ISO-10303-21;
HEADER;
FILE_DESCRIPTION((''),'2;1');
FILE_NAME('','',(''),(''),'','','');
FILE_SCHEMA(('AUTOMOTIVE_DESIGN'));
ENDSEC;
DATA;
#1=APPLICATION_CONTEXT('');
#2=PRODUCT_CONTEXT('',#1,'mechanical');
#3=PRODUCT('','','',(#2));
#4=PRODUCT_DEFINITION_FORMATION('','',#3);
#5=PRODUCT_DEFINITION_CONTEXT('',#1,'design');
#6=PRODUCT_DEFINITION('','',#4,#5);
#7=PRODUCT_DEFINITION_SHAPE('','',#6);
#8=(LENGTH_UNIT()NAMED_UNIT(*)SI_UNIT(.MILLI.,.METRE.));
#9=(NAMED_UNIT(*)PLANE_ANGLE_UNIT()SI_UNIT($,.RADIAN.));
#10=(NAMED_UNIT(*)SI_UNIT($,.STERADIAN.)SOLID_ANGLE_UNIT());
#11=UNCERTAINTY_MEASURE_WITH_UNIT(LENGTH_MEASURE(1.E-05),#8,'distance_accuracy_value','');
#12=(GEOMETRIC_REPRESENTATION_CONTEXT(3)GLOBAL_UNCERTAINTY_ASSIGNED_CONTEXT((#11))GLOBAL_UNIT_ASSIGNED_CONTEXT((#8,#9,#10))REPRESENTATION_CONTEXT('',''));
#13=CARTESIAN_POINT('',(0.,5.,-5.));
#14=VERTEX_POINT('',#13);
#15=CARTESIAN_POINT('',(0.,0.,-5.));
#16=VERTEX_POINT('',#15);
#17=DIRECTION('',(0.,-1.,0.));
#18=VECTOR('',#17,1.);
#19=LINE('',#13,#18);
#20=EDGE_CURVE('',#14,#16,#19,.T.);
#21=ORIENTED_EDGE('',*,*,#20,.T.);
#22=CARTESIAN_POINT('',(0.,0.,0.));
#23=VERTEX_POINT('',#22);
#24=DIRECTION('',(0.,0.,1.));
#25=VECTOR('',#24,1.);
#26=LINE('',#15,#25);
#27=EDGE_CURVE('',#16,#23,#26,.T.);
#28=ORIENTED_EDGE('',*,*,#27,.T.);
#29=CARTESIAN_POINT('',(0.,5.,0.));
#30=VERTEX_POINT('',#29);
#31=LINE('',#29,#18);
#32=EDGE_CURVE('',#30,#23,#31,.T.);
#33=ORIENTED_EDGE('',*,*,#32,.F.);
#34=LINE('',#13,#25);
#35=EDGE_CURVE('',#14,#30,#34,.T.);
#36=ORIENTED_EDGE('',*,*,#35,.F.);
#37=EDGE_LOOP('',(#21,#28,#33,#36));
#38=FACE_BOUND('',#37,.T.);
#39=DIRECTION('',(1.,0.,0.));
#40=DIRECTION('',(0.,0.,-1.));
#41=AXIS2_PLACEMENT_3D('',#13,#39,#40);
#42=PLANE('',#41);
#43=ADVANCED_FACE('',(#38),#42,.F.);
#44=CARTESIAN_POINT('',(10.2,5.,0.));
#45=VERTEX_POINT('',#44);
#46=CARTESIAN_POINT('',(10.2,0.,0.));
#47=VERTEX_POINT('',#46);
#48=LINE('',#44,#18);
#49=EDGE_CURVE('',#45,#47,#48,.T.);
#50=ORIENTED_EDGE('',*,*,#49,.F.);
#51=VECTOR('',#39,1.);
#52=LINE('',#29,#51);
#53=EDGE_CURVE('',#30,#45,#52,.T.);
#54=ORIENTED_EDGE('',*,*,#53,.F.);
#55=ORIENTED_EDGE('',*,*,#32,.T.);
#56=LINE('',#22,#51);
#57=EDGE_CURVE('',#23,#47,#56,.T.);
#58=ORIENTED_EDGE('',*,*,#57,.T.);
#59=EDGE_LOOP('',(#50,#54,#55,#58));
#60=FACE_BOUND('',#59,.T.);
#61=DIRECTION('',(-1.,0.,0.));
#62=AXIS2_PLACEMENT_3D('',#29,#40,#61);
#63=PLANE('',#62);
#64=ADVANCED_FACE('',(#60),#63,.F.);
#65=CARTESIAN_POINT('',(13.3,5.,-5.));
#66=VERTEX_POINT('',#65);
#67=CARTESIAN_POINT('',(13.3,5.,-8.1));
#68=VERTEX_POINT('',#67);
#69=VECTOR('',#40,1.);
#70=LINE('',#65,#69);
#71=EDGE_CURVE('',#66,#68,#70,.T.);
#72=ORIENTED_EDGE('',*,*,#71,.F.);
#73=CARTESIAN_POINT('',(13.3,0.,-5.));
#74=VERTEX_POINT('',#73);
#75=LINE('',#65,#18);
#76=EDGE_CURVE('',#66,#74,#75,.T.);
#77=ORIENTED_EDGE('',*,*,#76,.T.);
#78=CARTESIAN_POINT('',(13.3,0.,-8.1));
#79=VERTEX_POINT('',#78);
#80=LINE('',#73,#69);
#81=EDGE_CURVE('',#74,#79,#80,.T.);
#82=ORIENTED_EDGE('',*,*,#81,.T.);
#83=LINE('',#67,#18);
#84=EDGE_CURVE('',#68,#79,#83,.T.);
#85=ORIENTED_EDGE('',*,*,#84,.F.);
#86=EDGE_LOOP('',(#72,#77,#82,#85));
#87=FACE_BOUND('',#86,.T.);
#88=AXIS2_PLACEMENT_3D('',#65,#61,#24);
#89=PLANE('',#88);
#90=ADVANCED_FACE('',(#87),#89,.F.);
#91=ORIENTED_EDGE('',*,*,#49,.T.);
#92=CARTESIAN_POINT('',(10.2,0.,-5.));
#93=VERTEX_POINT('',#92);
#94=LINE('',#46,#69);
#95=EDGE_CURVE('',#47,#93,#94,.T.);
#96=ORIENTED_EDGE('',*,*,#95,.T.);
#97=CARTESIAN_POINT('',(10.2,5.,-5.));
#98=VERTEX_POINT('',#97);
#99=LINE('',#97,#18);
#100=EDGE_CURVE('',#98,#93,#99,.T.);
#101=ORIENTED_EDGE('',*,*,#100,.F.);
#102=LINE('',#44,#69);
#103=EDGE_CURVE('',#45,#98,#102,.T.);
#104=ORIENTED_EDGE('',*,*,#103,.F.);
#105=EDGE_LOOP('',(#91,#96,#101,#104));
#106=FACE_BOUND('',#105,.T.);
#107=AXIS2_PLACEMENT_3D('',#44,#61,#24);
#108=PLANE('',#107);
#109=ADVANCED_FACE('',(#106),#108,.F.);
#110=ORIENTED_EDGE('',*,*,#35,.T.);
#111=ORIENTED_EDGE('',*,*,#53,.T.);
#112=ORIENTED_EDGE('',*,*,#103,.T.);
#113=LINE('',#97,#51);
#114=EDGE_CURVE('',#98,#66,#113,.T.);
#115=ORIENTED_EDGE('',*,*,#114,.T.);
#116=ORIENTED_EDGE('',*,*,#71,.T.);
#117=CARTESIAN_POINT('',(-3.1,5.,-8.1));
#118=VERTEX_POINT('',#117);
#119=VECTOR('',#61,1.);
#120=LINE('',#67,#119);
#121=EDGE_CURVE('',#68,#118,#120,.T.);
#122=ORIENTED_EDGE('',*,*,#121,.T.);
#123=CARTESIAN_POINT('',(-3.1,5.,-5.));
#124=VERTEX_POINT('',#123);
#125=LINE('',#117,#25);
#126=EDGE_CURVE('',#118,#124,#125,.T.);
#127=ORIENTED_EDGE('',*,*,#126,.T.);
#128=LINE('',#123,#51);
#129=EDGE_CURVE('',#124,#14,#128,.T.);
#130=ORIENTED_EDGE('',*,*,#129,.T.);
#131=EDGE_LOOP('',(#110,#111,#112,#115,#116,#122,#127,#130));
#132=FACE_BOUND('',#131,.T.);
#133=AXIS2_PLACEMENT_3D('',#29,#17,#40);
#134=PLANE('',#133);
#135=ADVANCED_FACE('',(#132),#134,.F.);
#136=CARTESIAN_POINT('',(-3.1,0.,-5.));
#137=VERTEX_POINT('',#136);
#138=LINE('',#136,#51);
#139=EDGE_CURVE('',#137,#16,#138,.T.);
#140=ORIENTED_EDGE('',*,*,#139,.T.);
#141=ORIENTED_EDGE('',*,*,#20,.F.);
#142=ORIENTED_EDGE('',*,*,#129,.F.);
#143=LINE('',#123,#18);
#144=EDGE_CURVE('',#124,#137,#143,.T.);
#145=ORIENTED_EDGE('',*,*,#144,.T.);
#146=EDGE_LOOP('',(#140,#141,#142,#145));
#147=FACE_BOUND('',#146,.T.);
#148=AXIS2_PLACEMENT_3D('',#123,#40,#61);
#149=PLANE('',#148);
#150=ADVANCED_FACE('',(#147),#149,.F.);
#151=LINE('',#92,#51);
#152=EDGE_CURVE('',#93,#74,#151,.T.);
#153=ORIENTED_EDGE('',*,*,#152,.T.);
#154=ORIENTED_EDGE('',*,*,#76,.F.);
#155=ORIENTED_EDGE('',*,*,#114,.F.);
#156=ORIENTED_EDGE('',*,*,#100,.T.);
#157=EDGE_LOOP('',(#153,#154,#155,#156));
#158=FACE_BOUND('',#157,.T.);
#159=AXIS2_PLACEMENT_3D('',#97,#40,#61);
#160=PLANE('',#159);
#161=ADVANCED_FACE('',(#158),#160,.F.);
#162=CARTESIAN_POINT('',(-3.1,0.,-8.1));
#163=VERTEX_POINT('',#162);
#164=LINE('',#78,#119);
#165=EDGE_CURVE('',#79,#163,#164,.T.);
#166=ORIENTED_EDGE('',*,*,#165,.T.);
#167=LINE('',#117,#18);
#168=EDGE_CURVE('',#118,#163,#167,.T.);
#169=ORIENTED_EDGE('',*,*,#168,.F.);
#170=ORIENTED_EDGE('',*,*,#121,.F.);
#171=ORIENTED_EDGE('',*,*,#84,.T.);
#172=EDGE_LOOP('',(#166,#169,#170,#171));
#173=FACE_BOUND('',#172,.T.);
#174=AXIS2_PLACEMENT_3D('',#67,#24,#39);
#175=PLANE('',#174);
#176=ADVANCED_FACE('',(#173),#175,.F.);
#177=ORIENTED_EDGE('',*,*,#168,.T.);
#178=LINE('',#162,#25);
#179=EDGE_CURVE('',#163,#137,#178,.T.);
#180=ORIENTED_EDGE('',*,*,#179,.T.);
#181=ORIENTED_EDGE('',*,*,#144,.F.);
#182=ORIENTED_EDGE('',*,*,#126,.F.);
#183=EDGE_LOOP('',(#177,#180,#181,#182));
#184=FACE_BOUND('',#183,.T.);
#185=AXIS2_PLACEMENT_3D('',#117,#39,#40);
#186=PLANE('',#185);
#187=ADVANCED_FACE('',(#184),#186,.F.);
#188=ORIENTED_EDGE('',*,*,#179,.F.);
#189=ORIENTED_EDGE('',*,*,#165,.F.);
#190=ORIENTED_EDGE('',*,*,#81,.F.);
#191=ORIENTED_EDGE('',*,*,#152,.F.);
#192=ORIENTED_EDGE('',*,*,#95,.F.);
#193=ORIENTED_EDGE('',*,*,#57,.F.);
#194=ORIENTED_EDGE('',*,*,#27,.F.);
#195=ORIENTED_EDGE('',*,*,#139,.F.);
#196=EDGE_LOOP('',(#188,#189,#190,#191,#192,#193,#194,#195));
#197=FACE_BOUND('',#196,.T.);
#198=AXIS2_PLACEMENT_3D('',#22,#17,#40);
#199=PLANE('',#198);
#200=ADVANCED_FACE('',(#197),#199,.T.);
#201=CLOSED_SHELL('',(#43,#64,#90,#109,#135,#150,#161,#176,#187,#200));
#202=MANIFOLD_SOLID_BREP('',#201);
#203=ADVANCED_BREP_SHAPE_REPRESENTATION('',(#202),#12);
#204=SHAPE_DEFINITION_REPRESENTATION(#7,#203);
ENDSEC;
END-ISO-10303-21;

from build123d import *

# Parameters (mm, degrees)
EXTRUDE_1_DEPTH = 5


with BuildPart() as part:
    # 草图1 → 凸台-拉伸1 (new body)
    with BuildSketch(Plane(origin=(0, 0, 0), x_dir=(1, 0, 0), z_dir=(0, 1, 0))):
        Polygon((0, 5), (0, 0), (10.2, 0), (10.2, 5), (13.3, 5), (13.3, 8.1), (-3.1, 8.1), (-3.1, 5), align=None)
    extrude(amount=EXTRUDE_1_DEPTH)


solid = part.part
